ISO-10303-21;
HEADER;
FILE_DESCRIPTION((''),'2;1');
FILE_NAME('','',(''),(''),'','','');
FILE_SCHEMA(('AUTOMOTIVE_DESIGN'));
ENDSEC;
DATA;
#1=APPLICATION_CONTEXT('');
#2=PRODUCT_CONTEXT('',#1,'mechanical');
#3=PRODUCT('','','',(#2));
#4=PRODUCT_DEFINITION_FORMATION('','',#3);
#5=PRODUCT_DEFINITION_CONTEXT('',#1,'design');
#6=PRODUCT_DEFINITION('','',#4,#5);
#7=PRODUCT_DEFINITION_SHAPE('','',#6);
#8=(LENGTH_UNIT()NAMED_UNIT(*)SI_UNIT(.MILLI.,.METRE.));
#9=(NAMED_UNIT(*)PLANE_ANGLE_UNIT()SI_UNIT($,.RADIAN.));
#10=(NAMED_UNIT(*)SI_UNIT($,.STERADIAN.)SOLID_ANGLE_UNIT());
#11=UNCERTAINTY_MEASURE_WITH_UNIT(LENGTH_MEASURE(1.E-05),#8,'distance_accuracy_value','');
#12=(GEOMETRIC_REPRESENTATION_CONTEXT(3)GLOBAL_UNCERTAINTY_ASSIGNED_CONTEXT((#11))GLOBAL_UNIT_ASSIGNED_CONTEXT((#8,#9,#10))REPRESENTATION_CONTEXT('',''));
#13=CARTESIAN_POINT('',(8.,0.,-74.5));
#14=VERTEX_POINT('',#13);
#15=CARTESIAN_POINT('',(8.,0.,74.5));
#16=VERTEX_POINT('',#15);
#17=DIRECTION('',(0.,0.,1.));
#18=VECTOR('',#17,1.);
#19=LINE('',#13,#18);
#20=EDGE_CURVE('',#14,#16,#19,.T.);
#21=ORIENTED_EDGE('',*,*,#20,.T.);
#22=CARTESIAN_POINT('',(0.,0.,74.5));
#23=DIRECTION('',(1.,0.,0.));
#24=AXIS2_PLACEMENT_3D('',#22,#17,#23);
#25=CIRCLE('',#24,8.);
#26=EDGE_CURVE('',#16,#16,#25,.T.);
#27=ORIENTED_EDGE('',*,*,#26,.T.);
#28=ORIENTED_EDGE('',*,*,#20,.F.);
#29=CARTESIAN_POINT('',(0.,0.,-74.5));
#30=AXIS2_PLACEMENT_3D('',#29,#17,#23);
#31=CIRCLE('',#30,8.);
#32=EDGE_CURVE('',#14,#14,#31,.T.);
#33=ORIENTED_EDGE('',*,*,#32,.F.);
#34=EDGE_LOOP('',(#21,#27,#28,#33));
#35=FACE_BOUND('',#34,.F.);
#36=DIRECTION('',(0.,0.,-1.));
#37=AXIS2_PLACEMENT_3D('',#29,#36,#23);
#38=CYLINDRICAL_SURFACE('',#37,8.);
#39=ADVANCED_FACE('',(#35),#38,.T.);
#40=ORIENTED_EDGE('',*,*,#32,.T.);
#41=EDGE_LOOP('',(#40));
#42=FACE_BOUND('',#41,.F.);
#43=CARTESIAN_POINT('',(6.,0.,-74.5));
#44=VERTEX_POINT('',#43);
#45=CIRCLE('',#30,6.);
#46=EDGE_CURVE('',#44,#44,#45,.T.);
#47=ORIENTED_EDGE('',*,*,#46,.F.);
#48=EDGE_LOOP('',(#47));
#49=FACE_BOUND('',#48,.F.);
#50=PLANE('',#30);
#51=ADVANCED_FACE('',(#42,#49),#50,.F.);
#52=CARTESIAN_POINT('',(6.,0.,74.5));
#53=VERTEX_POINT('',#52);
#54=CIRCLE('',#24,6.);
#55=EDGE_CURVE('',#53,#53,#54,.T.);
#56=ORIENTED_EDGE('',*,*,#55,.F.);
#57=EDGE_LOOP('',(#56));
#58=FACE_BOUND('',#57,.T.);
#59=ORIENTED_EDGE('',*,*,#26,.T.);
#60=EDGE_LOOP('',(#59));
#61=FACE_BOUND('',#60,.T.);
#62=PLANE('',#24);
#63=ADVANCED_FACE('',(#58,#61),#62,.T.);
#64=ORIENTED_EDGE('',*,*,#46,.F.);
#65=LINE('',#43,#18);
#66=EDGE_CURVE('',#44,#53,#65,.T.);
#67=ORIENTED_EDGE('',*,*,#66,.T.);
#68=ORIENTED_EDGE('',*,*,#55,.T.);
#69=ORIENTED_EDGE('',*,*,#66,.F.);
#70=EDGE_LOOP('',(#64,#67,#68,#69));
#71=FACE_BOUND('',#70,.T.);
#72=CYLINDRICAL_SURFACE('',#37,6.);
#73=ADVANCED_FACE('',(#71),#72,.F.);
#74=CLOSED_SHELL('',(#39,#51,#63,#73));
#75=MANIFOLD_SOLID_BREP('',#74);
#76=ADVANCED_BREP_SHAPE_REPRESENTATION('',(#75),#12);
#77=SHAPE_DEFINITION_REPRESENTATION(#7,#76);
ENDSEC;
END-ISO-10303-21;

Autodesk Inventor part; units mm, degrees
ref_plane "YZ Plane" through (0, 0, 0) normal (1, 0, 0) x (0, 1, 0)
ref_plane "XZ Plane" through (0, 0, 0) normal (0, 1, 0) x (-1, 0, 0)
ref_plane "Work Plane1" through (0, 0, -74.5) normal (0, 0, 1) x (1, 0, 0)
sketch "Sketch1" plane through (0, 0, -74.5) normal (0, 0, 1) x (1, 0, 0)
  circle A0 centre (0, 0) radius 6
  circle A1 centre (0, 0) radius 8
extrude "Extrusion1" add sketch "Sketch1" along normal blind 149
properties part number "Spreader" material "Aluminum 6061"
